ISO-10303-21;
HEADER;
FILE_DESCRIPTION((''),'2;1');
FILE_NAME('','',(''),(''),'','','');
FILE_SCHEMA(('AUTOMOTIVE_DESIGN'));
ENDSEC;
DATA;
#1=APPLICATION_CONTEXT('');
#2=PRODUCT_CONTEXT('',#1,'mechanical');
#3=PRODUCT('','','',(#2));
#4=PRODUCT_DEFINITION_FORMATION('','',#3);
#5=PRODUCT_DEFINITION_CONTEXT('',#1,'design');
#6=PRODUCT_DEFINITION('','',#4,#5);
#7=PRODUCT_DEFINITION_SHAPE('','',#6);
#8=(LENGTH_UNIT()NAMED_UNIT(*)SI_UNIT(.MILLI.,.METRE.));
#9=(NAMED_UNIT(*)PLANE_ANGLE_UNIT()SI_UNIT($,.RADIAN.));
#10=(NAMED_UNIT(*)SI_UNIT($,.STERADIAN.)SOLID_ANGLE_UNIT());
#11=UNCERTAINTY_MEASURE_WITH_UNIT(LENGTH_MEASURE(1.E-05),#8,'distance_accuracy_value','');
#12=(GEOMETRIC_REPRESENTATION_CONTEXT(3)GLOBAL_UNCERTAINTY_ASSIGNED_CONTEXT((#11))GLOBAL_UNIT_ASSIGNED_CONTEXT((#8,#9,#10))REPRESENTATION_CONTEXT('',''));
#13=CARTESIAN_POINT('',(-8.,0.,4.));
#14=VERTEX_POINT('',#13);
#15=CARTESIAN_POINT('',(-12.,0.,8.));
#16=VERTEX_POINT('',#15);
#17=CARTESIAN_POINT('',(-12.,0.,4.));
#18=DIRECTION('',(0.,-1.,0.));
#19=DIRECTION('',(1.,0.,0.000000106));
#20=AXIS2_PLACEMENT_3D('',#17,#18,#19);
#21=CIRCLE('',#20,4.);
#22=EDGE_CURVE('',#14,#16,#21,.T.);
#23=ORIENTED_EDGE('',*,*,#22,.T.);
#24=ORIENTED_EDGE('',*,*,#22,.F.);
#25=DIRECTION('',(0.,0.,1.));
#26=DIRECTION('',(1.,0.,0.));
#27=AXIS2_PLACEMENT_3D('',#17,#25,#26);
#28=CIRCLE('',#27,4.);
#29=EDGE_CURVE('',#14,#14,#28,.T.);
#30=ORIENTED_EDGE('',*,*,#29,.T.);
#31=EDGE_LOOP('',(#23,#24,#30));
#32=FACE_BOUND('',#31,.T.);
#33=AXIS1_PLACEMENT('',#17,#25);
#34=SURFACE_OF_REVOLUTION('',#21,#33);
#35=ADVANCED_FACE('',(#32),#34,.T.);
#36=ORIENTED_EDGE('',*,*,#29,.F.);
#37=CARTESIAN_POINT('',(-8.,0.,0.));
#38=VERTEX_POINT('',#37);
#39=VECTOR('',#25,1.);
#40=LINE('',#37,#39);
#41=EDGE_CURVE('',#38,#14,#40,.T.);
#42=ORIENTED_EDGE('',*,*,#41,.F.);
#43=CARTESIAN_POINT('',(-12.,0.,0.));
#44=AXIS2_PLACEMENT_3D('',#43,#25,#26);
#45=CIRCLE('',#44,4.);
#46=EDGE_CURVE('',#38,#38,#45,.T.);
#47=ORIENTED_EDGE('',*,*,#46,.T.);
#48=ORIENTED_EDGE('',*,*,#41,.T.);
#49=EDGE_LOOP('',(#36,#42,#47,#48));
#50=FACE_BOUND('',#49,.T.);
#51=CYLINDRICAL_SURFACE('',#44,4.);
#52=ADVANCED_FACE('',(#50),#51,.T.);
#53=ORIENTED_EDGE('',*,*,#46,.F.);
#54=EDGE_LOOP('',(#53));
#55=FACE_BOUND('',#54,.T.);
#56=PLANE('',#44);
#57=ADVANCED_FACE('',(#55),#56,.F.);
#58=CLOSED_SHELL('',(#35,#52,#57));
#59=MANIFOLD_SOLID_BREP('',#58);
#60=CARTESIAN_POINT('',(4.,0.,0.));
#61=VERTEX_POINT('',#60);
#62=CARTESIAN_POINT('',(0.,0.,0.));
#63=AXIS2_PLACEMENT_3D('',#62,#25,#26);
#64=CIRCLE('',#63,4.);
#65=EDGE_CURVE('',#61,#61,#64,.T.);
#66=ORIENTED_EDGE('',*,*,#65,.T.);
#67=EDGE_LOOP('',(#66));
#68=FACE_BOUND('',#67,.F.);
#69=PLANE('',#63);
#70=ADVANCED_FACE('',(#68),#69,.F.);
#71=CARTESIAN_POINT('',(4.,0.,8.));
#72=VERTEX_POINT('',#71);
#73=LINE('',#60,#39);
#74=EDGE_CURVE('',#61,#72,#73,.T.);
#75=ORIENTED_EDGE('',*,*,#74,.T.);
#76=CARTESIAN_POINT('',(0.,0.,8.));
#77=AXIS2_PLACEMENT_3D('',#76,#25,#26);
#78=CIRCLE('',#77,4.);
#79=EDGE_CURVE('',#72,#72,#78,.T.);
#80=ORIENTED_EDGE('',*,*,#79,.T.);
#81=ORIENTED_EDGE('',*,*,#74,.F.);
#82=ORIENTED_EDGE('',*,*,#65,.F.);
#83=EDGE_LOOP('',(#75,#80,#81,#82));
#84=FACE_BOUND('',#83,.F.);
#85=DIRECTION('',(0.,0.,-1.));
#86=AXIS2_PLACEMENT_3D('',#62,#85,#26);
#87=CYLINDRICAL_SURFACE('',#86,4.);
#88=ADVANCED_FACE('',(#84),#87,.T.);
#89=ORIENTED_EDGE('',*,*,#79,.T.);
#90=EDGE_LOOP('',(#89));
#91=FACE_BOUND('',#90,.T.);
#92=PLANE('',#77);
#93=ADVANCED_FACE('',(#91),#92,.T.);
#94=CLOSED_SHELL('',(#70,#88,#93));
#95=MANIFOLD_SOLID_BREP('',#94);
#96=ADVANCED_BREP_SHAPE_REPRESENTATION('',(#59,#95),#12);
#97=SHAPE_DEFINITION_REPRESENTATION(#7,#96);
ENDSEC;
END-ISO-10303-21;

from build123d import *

# Parameters (mm, degrees)
F0_R     = 4
F1_DEPTH = 8


with BuildPart() as f1:
    # F0 (on Top) → F1 (new body)
    with BuildSketch(Plane.XY):
        Circle(F0_R)
    extrude(amount=F1_DEPTH)


with BuildPart() as f3:
    # F2 (on Front) → F3 (revolve)
    with BuildSketch(Plane.XZ):
        with BuildLine():
            Line((-12, 8), (-12, 0))
            Line((-12, 0), (-8, 0))
            Line((-8, 0), (-8, 4))
            ThreePointArc((-8, 4), (-9.171573, 6.828427), (-12, 8))
        make_face()
    revolve(axis=Axis((-12, 0, 4), (0, 0, 1)))


solid = Compound([f1.part, f3.part])
